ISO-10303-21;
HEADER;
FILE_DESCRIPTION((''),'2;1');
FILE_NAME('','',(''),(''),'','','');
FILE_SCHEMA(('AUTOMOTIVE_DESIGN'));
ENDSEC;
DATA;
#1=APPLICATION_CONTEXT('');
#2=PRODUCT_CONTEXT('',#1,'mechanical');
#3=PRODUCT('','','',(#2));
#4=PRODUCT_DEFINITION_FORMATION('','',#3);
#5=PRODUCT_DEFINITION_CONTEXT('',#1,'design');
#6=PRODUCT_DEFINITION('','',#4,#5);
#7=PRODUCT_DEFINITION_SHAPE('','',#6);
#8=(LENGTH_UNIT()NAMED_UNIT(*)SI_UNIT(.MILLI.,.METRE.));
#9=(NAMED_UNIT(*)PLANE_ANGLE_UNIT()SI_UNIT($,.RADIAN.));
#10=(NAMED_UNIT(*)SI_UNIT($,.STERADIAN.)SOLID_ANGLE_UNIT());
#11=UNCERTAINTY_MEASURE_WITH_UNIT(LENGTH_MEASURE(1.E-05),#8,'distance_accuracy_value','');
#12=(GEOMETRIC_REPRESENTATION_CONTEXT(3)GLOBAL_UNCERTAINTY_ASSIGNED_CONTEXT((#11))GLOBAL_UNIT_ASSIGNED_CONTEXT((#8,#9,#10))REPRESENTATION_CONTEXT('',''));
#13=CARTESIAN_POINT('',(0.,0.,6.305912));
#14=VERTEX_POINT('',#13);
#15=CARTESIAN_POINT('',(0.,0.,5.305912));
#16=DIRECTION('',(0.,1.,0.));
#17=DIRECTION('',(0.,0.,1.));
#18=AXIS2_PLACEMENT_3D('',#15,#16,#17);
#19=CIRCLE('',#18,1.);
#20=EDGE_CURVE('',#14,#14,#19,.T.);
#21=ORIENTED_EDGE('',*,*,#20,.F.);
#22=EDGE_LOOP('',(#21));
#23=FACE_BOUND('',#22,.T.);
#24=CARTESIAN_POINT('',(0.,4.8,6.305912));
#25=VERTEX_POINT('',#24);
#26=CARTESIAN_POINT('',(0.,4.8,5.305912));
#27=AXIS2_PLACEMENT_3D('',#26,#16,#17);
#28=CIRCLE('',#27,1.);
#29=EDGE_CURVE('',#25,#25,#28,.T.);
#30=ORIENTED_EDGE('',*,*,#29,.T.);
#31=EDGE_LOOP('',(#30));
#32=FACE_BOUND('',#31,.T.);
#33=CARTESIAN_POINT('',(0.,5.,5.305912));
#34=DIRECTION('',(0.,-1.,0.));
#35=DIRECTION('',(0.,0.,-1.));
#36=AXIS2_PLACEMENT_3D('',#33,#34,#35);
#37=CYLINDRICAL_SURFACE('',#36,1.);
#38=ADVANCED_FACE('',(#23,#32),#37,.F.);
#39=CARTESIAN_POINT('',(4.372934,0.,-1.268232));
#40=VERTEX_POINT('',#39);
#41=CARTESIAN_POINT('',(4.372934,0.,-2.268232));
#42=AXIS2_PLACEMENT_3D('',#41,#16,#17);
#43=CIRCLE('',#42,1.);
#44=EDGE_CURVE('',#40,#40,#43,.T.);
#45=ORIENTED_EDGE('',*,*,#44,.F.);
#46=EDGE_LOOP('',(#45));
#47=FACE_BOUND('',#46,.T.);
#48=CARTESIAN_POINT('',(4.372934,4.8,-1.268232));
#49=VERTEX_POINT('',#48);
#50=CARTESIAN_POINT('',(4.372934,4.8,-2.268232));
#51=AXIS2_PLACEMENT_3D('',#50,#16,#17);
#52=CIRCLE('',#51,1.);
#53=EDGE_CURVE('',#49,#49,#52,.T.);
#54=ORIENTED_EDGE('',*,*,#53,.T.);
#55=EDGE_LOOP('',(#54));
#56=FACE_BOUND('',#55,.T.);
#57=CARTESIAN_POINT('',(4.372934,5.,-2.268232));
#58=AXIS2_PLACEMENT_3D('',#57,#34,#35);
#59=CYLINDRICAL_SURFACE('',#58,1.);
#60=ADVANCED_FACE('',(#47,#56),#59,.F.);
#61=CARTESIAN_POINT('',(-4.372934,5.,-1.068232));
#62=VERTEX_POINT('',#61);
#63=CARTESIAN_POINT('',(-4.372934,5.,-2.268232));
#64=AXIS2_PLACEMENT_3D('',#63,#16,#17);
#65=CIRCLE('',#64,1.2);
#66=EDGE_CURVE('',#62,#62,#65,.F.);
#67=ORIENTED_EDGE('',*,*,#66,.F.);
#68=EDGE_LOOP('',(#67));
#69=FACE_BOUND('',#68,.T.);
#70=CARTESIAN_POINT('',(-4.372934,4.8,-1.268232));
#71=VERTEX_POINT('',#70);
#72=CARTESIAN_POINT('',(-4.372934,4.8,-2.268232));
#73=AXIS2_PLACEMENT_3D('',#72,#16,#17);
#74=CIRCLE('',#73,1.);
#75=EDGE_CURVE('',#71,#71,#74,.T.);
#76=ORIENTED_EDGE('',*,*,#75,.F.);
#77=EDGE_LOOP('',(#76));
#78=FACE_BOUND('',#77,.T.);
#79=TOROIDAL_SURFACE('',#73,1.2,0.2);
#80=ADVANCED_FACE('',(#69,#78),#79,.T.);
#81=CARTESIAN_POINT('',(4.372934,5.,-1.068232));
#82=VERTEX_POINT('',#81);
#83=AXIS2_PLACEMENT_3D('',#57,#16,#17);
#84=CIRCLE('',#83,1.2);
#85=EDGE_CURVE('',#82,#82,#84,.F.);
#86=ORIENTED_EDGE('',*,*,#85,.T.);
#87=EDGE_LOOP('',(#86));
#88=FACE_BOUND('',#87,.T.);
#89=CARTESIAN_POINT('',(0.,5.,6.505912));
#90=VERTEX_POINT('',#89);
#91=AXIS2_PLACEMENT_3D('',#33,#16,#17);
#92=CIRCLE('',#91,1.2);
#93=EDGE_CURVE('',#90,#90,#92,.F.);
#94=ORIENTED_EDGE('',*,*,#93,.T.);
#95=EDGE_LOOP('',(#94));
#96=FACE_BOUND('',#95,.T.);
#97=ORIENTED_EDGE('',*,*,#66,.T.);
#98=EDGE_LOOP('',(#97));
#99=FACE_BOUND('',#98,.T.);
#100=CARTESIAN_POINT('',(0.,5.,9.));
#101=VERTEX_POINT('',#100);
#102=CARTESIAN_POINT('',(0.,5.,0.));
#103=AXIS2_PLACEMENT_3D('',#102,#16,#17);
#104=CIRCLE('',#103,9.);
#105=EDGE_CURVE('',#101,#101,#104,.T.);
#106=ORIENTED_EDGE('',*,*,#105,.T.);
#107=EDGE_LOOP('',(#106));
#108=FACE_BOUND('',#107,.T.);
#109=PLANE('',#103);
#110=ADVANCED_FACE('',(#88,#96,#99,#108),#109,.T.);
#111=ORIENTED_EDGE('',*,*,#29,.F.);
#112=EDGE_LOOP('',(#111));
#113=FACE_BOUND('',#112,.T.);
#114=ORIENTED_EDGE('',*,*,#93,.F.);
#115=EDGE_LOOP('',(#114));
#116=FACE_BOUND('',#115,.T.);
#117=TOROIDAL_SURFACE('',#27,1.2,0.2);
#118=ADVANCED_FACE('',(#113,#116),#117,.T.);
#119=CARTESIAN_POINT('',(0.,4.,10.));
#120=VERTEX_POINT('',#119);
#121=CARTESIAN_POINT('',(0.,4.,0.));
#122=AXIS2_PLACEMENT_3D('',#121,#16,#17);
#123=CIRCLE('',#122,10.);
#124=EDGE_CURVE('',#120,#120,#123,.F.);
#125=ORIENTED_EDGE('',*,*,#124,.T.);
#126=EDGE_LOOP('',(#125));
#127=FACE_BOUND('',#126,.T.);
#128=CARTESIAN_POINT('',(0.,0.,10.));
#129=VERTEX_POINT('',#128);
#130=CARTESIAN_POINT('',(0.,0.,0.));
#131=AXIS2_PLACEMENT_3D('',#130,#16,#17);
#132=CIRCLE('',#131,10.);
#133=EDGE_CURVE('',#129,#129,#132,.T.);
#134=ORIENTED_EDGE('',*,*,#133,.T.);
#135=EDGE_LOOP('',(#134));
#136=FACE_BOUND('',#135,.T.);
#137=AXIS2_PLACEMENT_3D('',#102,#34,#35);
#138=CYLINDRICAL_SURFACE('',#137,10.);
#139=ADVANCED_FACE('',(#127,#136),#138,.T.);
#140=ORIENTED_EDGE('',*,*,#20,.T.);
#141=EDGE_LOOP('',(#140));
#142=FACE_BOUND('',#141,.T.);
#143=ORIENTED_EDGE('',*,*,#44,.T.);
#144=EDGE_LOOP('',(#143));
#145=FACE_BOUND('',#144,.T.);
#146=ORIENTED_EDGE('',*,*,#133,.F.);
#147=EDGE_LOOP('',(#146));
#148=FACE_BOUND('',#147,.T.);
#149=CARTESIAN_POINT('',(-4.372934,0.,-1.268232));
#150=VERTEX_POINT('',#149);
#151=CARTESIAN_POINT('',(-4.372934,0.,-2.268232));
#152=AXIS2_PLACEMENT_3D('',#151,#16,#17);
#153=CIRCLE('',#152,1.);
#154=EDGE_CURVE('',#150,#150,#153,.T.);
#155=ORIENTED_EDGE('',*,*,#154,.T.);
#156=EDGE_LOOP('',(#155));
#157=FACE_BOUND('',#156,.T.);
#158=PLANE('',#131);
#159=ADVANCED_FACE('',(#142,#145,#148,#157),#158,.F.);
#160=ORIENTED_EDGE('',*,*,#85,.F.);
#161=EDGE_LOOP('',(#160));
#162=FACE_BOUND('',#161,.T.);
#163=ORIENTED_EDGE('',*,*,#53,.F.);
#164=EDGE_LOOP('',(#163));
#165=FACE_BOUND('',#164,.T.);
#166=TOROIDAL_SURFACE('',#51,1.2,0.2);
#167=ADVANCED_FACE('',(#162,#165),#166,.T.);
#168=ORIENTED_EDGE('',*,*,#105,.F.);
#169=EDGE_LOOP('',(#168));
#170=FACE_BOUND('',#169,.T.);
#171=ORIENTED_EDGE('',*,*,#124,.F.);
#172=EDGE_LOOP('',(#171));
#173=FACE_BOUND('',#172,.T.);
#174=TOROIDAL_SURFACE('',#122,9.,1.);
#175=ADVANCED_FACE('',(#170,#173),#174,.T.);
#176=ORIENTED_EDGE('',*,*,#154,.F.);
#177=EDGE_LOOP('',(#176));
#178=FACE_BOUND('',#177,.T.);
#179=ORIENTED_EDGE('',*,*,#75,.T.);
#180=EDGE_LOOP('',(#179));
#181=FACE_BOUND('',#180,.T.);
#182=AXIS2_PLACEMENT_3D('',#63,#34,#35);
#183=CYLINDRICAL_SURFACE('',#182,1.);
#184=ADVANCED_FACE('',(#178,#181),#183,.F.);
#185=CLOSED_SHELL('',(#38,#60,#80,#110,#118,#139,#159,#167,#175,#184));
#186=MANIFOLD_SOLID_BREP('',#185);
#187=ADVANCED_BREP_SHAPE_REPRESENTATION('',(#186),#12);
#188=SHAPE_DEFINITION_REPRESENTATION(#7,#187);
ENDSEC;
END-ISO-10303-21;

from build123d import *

# Parameters (mm, degrees)
SKETCH1_R           = 10
SKETCH1_R_2         = 1
BOSS_EXTRUDE1_DEPTH = 5
FILLET1_R           = 1
FILLET2_R           = 0.2


with BuildPart() as part:
    # Sketch1 → Boss-Extrude1 (new body)
    with BuildSketch(Plane(origin=(0, 0, 0), x_dir=(1, 0, 0), z_dir=(0, 1, 0))):
        with Locations(Location((0, 0, 0), (0, 0, 270))):
            Circle(SKETCH1_R)
        with Locations(Location((-4.372934276, 2.268231964, 0), (0, 0, 270))):
            Circle(SKETCH1_R_2, mode=Mode.SUBTRACT)
        with Locations(Location((4.372934276, 2.268231964, 0), (0, 0, 270))):
            Circle(SKETCH1_R_2, mode=Mode.SUBTRACT)
        with Locations(Location((0, -5.30591238, 0), (0, 0, 270))):
            Circle(SKETCH1_R_2, mode=Mode.SUBTRACT)
    extrude(amount=BOSS_EXTRUDE1_DEPTH)

    # Fillet1
    fillet1_edges = [part.edges().sort_by_distance(p)[0] for p in [
        (0, 5, -10),
    ]]
    fillet(fillet1_edges, radius=FILLET1_R)

    # Fillet2
    fillet2_edges = [part.edges().sort_by_distance(p)[0] for p in [
        (0, 5, 4.30591238),
        (4.372934276, 5, -3.268231964),
        (-4.372934276, 5, -3.268231964),
    ]]
    fillet(fillet2_edges, radius=FILLET2_R)


solid = part.part
